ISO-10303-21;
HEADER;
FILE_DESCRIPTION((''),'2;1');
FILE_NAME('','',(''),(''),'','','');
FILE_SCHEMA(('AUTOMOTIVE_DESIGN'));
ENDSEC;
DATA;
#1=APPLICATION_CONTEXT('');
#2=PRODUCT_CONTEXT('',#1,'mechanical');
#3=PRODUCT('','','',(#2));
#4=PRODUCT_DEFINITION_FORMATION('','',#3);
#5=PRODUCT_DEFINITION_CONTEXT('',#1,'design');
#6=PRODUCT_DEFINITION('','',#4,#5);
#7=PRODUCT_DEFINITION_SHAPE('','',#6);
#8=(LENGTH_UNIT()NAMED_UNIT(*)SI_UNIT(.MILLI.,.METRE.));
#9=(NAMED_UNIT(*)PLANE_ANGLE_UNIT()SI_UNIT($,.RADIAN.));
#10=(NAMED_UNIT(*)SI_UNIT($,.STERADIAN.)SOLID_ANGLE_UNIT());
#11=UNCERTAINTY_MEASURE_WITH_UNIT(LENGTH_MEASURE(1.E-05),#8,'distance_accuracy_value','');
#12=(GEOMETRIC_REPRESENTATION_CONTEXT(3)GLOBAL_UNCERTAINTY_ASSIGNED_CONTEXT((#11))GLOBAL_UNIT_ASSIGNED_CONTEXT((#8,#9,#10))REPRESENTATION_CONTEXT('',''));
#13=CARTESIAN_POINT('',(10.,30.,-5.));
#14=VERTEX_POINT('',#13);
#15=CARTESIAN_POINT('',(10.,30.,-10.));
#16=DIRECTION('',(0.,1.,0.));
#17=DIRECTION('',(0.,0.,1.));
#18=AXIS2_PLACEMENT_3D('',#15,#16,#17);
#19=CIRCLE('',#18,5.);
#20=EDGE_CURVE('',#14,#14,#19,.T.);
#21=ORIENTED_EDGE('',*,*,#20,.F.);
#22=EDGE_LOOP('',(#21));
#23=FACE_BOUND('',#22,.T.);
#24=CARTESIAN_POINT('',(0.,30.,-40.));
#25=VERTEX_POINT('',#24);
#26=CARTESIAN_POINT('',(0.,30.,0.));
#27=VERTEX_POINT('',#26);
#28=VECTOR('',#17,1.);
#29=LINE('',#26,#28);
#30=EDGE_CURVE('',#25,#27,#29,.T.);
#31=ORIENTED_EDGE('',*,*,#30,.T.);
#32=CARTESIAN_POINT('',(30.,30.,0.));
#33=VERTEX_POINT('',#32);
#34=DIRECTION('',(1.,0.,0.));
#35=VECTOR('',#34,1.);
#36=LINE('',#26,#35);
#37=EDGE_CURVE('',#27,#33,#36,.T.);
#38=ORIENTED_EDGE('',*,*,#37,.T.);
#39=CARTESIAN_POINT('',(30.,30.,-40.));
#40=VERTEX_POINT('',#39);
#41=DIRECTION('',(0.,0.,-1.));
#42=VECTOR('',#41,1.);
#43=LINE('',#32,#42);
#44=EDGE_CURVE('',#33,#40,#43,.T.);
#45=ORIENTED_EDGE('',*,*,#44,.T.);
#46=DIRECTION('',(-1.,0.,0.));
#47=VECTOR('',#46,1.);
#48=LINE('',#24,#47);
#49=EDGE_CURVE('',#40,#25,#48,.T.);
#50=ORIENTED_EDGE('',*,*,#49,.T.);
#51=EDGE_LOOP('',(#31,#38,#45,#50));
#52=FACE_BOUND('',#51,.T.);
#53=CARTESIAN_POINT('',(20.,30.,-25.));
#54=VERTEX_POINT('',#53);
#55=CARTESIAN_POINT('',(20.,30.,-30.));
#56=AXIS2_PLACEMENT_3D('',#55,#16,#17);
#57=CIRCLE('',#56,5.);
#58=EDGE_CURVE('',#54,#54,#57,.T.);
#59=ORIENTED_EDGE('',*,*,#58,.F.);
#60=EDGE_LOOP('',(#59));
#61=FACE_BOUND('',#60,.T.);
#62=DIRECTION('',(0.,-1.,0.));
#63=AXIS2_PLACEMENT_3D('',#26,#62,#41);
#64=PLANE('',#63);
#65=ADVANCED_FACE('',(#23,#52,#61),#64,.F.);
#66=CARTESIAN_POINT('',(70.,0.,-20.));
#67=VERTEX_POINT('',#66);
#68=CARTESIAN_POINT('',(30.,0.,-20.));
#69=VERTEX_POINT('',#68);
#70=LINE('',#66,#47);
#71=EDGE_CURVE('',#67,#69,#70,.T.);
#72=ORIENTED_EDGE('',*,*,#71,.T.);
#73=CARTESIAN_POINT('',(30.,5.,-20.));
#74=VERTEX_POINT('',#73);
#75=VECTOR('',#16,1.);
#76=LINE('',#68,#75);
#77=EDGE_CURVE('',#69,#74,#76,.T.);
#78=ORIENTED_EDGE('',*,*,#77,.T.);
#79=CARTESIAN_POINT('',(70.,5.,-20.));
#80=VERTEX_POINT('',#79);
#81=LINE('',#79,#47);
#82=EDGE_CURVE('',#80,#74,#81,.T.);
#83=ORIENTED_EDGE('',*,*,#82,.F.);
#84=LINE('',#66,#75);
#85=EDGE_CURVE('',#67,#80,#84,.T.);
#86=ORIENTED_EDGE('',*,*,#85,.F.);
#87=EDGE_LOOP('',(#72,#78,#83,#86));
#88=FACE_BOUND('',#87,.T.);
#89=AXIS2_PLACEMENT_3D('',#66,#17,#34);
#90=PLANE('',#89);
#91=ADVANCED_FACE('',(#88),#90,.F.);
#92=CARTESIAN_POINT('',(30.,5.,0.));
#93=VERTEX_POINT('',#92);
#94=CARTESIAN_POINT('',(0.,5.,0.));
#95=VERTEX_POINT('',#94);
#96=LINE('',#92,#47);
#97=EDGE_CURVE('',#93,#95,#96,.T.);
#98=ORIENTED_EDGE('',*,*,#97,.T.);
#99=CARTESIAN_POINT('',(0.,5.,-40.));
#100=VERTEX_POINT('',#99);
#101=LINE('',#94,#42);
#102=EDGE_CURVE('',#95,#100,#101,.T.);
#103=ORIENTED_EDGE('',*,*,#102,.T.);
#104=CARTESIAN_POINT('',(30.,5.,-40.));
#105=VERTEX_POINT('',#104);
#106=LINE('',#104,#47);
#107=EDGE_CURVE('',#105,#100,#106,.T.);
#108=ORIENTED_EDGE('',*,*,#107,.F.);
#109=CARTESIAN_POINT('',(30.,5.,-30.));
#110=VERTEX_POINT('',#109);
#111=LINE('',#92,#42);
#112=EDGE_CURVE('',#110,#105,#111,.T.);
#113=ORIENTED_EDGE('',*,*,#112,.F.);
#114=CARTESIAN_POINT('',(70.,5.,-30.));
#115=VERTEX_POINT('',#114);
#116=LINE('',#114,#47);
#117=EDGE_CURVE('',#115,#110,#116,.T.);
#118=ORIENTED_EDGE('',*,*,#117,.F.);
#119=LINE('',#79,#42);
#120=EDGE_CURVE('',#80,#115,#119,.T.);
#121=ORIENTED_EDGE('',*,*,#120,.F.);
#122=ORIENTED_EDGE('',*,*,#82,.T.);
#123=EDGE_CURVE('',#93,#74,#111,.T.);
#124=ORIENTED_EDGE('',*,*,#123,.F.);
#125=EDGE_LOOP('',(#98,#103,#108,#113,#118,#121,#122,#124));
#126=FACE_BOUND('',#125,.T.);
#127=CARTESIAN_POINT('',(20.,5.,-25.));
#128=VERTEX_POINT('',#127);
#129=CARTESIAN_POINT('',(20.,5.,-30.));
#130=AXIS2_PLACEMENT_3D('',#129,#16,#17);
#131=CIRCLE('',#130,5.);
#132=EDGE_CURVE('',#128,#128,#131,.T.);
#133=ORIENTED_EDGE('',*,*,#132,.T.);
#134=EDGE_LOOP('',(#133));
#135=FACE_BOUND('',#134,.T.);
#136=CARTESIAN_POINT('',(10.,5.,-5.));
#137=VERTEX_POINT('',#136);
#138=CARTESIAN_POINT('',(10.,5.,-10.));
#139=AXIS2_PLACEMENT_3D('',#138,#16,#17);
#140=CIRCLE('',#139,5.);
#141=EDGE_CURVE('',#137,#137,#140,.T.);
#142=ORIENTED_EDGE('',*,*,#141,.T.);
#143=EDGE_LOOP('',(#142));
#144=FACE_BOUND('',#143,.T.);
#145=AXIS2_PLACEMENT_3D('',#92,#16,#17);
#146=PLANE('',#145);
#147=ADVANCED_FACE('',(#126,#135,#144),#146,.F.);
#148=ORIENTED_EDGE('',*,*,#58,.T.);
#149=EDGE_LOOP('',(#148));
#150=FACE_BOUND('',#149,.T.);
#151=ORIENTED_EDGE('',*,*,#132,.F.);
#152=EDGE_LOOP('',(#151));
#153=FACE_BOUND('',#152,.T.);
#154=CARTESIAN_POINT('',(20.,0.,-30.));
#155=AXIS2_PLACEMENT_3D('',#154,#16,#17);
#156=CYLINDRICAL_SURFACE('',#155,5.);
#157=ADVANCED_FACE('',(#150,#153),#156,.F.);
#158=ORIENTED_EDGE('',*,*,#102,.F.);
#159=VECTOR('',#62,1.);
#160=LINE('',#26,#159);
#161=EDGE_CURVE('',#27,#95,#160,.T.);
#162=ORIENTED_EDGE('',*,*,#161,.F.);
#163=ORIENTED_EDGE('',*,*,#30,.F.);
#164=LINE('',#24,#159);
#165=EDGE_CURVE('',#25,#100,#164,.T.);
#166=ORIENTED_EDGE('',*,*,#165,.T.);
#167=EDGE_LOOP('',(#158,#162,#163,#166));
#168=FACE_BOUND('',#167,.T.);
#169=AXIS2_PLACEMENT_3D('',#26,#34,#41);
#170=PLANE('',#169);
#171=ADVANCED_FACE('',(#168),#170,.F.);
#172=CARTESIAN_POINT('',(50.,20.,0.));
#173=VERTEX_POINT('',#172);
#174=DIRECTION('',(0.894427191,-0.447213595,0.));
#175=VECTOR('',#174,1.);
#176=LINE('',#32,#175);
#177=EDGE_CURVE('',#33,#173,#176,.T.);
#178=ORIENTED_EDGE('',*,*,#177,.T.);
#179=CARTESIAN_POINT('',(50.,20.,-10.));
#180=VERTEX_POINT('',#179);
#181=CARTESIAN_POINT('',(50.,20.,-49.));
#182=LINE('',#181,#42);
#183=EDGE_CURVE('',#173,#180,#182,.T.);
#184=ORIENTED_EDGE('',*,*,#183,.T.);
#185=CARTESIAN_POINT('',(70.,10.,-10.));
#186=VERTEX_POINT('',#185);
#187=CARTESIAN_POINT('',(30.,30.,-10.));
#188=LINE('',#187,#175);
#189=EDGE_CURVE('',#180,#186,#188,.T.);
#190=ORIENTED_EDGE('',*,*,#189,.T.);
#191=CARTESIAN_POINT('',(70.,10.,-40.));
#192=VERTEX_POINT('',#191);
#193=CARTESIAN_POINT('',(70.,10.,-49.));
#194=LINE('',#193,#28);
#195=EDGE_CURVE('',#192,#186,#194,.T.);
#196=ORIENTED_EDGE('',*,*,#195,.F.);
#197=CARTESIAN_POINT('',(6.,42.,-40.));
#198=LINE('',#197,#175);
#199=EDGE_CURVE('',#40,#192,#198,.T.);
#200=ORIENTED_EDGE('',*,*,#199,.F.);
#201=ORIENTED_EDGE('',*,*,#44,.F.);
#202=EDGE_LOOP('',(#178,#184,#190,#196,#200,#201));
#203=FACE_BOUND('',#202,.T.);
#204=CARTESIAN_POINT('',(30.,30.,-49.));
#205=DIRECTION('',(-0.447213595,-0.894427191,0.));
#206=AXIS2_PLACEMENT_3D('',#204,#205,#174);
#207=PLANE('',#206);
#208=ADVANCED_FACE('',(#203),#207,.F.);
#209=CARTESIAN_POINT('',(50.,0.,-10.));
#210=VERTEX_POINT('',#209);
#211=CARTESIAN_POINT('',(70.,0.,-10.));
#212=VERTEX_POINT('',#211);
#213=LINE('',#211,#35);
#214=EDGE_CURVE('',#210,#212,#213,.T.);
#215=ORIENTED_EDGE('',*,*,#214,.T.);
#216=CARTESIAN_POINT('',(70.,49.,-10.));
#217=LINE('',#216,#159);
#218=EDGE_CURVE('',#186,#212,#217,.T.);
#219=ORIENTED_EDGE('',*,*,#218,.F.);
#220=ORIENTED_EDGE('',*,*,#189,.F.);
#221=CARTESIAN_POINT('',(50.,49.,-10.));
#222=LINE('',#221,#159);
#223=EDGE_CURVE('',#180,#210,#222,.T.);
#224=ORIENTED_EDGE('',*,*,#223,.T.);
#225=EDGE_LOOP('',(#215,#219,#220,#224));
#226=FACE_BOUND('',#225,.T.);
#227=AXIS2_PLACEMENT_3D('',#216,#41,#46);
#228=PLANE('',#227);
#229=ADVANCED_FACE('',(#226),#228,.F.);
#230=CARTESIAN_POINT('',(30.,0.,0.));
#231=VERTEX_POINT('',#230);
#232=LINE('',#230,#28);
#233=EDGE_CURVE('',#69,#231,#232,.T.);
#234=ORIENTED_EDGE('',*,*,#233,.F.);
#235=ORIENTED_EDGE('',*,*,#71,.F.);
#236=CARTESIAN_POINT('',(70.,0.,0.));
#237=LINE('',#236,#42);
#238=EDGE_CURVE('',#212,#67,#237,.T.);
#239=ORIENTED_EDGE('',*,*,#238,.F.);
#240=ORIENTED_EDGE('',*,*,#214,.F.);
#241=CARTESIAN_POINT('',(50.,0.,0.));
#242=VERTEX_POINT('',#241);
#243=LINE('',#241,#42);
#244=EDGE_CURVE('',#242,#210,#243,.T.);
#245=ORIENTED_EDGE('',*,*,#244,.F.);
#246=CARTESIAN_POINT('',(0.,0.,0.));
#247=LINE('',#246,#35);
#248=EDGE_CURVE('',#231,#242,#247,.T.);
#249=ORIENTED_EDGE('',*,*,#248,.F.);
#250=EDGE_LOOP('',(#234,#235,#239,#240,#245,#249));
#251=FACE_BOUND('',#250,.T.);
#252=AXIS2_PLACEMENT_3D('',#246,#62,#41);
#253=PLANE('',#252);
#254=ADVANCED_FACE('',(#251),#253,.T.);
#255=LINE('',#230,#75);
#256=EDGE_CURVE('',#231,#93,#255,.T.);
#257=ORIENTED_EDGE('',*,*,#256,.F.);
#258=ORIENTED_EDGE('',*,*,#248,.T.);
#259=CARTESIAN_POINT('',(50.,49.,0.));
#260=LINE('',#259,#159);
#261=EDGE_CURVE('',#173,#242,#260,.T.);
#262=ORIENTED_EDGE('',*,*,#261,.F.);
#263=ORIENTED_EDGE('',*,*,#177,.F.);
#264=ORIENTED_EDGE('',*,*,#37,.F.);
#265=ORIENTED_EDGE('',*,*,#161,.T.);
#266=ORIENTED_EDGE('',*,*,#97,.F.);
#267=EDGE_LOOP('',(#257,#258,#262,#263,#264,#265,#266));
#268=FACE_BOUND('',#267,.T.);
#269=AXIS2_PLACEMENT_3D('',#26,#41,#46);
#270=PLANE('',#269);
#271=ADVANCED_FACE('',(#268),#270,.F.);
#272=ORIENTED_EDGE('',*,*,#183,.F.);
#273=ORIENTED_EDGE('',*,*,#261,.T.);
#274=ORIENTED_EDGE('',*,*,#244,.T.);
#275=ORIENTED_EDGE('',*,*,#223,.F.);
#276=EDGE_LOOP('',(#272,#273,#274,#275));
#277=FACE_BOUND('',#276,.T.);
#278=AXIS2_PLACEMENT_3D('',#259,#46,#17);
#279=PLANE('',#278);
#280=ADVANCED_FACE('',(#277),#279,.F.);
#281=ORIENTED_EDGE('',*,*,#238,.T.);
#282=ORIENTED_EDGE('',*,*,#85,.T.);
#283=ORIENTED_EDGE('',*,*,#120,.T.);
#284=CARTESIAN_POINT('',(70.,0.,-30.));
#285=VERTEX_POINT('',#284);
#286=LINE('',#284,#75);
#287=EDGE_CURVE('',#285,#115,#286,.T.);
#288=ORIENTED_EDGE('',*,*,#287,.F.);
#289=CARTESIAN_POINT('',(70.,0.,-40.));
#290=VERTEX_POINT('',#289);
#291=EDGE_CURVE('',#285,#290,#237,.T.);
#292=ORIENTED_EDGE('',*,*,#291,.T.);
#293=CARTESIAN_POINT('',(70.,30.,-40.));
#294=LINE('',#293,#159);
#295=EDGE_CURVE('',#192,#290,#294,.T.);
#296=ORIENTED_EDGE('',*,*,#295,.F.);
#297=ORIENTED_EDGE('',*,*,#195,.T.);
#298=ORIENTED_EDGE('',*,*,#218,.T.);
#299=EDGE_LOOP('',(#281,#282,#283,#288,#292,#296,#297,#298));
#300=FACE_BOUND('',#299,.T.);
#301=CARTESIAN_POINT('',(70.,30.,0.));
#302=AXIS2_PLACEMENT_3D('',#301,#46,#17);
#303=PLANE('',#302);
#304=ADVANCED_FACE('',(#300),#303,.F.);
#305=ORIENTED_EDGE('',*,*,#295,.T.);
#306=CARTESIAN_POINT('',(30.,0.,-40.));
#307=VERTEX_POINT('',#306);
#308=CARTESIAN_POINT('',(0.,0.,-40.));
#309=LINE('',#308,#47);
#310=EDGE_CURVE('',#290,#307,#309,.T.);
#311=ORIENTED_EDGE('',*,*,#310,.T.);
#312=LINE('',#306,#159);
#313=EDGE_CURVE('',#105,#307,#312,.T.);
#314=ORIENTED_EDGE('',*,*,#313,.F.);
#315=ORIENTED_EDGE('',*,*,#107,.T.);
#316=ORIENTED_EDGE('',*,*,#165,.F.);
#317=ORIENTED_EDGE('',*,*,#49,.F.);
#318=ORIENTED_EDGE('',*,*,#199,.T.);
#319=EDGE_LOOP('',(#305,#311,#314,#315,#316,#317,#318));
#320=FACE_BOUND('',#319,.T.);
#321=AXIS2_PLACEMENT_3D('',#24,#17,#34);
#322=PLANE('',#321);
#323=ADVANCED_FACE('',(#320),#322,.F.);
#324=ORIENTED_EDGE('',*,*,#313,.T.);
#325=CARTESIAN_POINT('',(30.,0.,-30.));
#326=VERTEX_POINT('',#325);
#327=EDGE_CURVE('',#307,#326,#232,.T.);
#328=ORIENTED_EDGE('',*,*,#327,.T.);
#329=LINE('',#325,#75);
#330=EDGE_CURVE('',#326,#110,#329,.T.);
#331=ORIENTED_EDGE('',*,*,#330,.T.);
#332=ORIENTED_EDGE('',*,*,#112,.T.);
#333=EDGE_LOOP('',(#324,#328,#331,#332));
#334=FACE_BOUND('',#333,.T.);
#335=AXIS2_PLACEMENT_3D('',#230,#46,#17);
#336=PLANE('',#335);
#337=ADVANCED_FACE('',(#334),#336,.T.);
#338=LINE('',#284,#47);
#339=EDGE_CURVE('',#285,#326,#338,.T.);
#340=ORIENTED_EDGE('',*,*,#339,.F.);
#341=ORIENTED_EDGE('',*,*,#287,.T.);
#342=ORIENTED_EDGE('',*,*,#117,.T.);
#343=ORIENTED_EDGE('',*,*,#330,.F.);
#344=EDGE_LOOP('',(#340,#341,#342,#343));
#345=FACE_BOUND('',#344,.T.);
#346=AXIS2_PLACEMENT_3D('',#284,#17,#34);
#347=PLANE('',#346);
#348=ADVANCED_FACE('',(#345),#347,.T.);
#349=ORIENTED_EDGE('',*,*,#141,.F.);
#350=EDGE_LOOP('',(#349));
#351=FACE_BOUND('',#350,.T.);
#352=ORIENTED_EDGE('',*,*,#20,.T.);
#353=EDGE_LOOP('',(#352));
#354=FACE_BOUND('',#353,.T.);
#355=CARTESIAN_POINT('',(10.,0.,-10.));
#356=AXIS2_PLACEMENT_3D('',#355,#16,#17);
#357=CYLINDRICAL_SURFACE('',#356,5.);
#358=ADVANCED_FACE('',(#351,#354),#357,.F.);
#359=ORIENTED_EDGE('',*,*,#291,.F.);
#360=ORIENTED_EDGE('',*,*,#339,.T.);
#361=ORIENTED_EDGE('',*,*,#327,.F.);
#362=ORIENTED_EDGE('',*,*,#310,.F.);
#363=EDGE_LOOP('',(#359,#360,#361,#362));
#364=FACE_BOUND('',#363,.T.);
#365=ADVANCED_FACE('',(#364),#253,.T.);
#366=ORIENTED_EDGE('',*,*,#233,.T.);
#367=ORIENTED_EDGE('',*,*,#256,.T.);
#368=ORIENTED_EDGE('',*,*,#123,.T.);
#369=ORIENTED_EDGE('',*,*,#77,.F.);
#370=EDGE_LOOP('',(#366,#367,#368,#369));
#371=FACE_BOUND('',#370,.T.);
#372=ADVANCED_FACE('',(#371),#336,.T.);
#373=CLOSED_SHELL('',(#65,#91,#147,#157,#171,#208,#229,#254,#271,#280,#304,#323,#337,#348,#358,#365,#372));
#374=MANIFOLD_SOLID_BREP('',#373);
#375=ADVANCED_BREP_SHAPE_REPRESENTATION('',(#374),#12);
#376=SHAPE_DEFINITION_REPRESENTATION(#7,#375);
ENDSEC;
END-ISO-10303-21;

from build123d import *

# Parameters (mm, degrees)
SKETCH2_W           = 70
SKETCH2_H           = 40
BOSS_EXTRUDE1_DEPTH = 30
CUT_EXTRUDE2_DEPTH  = 49
SKETCH5_W           = 20
SKETCH5_H           = 10
CUT_EXTRUDE3_DEPTH  = 49
SKETCH6_W           = 40
SKETCH6_H           = 5
CUT_EXTRUDE4_DEPTH  = 30
SKETCH7_W           = 10
SKETCH7_H           = 5
CUT_EXTRUDE5_DEPTH  = 41
SKETCH8_R           = 5
CUT_EXTRUDE6_DEPTH  = 31
SKETCH9_R           = 5
CUT_EXTRUDE7_DEPTH  = 31


with BuildPart() as part:
    # Sketch2 → Boss-Extrude1 (new body)
    with BuildSketch(Plane(origin=(0, 0, 0), x_dir=(1, 0, 0), z_dir=(0, 1, 0))):
        with Locations((35, 20)):
            Rectangle(SKETCH2_W, SKETCH2_H)
    extrude(amount=BOSS_EXTRUDE1_DEPTH)

    # Sketch4 → Cut-Extrude2 (cut)
    with BuildSketch(Plane.XY):
        Polygon((70, 30), (30, 30), (70, 10), align=None)
    extrude(amount=-CUT_EXTRUDE2_DEPTH, mode=Mode.SUBTRACT)

    # Sketch5 → Cut-Extrude3 (cut)
    with BuildSketch(Plane(origin=(0, 0, 0), x_dir=(-1, 0, 0), z_dir=(0, -1, 0))):
        with Locations((-60, 5)):
            Rectangle(SKETCH5_W, SKETCH5_H)
    extrude(amount=-CUT_EXTRUDE3_DEPTH, mode=Mode.SUBTRACT)

    # Sketch6 → Cut-Extrude4 (cut)
    with BuildSketch(Plane.ZY):
        with Locations((-20, 2.5)):
            Rectangle(SKETCH6_W, SKETCH6_H)
    extrude(amount=-CUT_EXTRUDE4_DEPTH, mode=Mode.SUBTRACT)

    # Sketch7 → Cut-Extrude5 (cut, through all)
    with BuildSketch(Plane.ZY.offset(-30)):
        with Locations((-25, 2.5)):
            Rectangle(SKETCH7_W, SKETCH7_H)
    extrude(amount=-CUT_EXTRUDE5_DEPTH, mode=Mode.SUBTRACT)

    # Sketch8 → Cut-Extrude6 (cut, through all)
    with BuildSketch(Plane(origin=(0, 30, 0), x_dir=(1, 0, 0), z_dir=(0, 1, 0))):
        with Locations((10, 10)):
            Circle(SKETCH8_R)
    extrude(amount=-CUT_EXTRUDE6_DEPTH, mode=Mode.SUBTRACT)

    # Sketch9 → Cut-Extrude7 (cut, through all)
    with BuildSketch(Plane(origin=(0, 30, 0), x_dir=(1, 0, 0), z_dir=(0, 1, 0))):
        with Locations((20, 30)):
            Circle(SKETCH9_R)
    extrude(amount=-CUT_EXTRUDE7_DEPTH, mode=Mode.SUBTRACT)


solid = part.part
